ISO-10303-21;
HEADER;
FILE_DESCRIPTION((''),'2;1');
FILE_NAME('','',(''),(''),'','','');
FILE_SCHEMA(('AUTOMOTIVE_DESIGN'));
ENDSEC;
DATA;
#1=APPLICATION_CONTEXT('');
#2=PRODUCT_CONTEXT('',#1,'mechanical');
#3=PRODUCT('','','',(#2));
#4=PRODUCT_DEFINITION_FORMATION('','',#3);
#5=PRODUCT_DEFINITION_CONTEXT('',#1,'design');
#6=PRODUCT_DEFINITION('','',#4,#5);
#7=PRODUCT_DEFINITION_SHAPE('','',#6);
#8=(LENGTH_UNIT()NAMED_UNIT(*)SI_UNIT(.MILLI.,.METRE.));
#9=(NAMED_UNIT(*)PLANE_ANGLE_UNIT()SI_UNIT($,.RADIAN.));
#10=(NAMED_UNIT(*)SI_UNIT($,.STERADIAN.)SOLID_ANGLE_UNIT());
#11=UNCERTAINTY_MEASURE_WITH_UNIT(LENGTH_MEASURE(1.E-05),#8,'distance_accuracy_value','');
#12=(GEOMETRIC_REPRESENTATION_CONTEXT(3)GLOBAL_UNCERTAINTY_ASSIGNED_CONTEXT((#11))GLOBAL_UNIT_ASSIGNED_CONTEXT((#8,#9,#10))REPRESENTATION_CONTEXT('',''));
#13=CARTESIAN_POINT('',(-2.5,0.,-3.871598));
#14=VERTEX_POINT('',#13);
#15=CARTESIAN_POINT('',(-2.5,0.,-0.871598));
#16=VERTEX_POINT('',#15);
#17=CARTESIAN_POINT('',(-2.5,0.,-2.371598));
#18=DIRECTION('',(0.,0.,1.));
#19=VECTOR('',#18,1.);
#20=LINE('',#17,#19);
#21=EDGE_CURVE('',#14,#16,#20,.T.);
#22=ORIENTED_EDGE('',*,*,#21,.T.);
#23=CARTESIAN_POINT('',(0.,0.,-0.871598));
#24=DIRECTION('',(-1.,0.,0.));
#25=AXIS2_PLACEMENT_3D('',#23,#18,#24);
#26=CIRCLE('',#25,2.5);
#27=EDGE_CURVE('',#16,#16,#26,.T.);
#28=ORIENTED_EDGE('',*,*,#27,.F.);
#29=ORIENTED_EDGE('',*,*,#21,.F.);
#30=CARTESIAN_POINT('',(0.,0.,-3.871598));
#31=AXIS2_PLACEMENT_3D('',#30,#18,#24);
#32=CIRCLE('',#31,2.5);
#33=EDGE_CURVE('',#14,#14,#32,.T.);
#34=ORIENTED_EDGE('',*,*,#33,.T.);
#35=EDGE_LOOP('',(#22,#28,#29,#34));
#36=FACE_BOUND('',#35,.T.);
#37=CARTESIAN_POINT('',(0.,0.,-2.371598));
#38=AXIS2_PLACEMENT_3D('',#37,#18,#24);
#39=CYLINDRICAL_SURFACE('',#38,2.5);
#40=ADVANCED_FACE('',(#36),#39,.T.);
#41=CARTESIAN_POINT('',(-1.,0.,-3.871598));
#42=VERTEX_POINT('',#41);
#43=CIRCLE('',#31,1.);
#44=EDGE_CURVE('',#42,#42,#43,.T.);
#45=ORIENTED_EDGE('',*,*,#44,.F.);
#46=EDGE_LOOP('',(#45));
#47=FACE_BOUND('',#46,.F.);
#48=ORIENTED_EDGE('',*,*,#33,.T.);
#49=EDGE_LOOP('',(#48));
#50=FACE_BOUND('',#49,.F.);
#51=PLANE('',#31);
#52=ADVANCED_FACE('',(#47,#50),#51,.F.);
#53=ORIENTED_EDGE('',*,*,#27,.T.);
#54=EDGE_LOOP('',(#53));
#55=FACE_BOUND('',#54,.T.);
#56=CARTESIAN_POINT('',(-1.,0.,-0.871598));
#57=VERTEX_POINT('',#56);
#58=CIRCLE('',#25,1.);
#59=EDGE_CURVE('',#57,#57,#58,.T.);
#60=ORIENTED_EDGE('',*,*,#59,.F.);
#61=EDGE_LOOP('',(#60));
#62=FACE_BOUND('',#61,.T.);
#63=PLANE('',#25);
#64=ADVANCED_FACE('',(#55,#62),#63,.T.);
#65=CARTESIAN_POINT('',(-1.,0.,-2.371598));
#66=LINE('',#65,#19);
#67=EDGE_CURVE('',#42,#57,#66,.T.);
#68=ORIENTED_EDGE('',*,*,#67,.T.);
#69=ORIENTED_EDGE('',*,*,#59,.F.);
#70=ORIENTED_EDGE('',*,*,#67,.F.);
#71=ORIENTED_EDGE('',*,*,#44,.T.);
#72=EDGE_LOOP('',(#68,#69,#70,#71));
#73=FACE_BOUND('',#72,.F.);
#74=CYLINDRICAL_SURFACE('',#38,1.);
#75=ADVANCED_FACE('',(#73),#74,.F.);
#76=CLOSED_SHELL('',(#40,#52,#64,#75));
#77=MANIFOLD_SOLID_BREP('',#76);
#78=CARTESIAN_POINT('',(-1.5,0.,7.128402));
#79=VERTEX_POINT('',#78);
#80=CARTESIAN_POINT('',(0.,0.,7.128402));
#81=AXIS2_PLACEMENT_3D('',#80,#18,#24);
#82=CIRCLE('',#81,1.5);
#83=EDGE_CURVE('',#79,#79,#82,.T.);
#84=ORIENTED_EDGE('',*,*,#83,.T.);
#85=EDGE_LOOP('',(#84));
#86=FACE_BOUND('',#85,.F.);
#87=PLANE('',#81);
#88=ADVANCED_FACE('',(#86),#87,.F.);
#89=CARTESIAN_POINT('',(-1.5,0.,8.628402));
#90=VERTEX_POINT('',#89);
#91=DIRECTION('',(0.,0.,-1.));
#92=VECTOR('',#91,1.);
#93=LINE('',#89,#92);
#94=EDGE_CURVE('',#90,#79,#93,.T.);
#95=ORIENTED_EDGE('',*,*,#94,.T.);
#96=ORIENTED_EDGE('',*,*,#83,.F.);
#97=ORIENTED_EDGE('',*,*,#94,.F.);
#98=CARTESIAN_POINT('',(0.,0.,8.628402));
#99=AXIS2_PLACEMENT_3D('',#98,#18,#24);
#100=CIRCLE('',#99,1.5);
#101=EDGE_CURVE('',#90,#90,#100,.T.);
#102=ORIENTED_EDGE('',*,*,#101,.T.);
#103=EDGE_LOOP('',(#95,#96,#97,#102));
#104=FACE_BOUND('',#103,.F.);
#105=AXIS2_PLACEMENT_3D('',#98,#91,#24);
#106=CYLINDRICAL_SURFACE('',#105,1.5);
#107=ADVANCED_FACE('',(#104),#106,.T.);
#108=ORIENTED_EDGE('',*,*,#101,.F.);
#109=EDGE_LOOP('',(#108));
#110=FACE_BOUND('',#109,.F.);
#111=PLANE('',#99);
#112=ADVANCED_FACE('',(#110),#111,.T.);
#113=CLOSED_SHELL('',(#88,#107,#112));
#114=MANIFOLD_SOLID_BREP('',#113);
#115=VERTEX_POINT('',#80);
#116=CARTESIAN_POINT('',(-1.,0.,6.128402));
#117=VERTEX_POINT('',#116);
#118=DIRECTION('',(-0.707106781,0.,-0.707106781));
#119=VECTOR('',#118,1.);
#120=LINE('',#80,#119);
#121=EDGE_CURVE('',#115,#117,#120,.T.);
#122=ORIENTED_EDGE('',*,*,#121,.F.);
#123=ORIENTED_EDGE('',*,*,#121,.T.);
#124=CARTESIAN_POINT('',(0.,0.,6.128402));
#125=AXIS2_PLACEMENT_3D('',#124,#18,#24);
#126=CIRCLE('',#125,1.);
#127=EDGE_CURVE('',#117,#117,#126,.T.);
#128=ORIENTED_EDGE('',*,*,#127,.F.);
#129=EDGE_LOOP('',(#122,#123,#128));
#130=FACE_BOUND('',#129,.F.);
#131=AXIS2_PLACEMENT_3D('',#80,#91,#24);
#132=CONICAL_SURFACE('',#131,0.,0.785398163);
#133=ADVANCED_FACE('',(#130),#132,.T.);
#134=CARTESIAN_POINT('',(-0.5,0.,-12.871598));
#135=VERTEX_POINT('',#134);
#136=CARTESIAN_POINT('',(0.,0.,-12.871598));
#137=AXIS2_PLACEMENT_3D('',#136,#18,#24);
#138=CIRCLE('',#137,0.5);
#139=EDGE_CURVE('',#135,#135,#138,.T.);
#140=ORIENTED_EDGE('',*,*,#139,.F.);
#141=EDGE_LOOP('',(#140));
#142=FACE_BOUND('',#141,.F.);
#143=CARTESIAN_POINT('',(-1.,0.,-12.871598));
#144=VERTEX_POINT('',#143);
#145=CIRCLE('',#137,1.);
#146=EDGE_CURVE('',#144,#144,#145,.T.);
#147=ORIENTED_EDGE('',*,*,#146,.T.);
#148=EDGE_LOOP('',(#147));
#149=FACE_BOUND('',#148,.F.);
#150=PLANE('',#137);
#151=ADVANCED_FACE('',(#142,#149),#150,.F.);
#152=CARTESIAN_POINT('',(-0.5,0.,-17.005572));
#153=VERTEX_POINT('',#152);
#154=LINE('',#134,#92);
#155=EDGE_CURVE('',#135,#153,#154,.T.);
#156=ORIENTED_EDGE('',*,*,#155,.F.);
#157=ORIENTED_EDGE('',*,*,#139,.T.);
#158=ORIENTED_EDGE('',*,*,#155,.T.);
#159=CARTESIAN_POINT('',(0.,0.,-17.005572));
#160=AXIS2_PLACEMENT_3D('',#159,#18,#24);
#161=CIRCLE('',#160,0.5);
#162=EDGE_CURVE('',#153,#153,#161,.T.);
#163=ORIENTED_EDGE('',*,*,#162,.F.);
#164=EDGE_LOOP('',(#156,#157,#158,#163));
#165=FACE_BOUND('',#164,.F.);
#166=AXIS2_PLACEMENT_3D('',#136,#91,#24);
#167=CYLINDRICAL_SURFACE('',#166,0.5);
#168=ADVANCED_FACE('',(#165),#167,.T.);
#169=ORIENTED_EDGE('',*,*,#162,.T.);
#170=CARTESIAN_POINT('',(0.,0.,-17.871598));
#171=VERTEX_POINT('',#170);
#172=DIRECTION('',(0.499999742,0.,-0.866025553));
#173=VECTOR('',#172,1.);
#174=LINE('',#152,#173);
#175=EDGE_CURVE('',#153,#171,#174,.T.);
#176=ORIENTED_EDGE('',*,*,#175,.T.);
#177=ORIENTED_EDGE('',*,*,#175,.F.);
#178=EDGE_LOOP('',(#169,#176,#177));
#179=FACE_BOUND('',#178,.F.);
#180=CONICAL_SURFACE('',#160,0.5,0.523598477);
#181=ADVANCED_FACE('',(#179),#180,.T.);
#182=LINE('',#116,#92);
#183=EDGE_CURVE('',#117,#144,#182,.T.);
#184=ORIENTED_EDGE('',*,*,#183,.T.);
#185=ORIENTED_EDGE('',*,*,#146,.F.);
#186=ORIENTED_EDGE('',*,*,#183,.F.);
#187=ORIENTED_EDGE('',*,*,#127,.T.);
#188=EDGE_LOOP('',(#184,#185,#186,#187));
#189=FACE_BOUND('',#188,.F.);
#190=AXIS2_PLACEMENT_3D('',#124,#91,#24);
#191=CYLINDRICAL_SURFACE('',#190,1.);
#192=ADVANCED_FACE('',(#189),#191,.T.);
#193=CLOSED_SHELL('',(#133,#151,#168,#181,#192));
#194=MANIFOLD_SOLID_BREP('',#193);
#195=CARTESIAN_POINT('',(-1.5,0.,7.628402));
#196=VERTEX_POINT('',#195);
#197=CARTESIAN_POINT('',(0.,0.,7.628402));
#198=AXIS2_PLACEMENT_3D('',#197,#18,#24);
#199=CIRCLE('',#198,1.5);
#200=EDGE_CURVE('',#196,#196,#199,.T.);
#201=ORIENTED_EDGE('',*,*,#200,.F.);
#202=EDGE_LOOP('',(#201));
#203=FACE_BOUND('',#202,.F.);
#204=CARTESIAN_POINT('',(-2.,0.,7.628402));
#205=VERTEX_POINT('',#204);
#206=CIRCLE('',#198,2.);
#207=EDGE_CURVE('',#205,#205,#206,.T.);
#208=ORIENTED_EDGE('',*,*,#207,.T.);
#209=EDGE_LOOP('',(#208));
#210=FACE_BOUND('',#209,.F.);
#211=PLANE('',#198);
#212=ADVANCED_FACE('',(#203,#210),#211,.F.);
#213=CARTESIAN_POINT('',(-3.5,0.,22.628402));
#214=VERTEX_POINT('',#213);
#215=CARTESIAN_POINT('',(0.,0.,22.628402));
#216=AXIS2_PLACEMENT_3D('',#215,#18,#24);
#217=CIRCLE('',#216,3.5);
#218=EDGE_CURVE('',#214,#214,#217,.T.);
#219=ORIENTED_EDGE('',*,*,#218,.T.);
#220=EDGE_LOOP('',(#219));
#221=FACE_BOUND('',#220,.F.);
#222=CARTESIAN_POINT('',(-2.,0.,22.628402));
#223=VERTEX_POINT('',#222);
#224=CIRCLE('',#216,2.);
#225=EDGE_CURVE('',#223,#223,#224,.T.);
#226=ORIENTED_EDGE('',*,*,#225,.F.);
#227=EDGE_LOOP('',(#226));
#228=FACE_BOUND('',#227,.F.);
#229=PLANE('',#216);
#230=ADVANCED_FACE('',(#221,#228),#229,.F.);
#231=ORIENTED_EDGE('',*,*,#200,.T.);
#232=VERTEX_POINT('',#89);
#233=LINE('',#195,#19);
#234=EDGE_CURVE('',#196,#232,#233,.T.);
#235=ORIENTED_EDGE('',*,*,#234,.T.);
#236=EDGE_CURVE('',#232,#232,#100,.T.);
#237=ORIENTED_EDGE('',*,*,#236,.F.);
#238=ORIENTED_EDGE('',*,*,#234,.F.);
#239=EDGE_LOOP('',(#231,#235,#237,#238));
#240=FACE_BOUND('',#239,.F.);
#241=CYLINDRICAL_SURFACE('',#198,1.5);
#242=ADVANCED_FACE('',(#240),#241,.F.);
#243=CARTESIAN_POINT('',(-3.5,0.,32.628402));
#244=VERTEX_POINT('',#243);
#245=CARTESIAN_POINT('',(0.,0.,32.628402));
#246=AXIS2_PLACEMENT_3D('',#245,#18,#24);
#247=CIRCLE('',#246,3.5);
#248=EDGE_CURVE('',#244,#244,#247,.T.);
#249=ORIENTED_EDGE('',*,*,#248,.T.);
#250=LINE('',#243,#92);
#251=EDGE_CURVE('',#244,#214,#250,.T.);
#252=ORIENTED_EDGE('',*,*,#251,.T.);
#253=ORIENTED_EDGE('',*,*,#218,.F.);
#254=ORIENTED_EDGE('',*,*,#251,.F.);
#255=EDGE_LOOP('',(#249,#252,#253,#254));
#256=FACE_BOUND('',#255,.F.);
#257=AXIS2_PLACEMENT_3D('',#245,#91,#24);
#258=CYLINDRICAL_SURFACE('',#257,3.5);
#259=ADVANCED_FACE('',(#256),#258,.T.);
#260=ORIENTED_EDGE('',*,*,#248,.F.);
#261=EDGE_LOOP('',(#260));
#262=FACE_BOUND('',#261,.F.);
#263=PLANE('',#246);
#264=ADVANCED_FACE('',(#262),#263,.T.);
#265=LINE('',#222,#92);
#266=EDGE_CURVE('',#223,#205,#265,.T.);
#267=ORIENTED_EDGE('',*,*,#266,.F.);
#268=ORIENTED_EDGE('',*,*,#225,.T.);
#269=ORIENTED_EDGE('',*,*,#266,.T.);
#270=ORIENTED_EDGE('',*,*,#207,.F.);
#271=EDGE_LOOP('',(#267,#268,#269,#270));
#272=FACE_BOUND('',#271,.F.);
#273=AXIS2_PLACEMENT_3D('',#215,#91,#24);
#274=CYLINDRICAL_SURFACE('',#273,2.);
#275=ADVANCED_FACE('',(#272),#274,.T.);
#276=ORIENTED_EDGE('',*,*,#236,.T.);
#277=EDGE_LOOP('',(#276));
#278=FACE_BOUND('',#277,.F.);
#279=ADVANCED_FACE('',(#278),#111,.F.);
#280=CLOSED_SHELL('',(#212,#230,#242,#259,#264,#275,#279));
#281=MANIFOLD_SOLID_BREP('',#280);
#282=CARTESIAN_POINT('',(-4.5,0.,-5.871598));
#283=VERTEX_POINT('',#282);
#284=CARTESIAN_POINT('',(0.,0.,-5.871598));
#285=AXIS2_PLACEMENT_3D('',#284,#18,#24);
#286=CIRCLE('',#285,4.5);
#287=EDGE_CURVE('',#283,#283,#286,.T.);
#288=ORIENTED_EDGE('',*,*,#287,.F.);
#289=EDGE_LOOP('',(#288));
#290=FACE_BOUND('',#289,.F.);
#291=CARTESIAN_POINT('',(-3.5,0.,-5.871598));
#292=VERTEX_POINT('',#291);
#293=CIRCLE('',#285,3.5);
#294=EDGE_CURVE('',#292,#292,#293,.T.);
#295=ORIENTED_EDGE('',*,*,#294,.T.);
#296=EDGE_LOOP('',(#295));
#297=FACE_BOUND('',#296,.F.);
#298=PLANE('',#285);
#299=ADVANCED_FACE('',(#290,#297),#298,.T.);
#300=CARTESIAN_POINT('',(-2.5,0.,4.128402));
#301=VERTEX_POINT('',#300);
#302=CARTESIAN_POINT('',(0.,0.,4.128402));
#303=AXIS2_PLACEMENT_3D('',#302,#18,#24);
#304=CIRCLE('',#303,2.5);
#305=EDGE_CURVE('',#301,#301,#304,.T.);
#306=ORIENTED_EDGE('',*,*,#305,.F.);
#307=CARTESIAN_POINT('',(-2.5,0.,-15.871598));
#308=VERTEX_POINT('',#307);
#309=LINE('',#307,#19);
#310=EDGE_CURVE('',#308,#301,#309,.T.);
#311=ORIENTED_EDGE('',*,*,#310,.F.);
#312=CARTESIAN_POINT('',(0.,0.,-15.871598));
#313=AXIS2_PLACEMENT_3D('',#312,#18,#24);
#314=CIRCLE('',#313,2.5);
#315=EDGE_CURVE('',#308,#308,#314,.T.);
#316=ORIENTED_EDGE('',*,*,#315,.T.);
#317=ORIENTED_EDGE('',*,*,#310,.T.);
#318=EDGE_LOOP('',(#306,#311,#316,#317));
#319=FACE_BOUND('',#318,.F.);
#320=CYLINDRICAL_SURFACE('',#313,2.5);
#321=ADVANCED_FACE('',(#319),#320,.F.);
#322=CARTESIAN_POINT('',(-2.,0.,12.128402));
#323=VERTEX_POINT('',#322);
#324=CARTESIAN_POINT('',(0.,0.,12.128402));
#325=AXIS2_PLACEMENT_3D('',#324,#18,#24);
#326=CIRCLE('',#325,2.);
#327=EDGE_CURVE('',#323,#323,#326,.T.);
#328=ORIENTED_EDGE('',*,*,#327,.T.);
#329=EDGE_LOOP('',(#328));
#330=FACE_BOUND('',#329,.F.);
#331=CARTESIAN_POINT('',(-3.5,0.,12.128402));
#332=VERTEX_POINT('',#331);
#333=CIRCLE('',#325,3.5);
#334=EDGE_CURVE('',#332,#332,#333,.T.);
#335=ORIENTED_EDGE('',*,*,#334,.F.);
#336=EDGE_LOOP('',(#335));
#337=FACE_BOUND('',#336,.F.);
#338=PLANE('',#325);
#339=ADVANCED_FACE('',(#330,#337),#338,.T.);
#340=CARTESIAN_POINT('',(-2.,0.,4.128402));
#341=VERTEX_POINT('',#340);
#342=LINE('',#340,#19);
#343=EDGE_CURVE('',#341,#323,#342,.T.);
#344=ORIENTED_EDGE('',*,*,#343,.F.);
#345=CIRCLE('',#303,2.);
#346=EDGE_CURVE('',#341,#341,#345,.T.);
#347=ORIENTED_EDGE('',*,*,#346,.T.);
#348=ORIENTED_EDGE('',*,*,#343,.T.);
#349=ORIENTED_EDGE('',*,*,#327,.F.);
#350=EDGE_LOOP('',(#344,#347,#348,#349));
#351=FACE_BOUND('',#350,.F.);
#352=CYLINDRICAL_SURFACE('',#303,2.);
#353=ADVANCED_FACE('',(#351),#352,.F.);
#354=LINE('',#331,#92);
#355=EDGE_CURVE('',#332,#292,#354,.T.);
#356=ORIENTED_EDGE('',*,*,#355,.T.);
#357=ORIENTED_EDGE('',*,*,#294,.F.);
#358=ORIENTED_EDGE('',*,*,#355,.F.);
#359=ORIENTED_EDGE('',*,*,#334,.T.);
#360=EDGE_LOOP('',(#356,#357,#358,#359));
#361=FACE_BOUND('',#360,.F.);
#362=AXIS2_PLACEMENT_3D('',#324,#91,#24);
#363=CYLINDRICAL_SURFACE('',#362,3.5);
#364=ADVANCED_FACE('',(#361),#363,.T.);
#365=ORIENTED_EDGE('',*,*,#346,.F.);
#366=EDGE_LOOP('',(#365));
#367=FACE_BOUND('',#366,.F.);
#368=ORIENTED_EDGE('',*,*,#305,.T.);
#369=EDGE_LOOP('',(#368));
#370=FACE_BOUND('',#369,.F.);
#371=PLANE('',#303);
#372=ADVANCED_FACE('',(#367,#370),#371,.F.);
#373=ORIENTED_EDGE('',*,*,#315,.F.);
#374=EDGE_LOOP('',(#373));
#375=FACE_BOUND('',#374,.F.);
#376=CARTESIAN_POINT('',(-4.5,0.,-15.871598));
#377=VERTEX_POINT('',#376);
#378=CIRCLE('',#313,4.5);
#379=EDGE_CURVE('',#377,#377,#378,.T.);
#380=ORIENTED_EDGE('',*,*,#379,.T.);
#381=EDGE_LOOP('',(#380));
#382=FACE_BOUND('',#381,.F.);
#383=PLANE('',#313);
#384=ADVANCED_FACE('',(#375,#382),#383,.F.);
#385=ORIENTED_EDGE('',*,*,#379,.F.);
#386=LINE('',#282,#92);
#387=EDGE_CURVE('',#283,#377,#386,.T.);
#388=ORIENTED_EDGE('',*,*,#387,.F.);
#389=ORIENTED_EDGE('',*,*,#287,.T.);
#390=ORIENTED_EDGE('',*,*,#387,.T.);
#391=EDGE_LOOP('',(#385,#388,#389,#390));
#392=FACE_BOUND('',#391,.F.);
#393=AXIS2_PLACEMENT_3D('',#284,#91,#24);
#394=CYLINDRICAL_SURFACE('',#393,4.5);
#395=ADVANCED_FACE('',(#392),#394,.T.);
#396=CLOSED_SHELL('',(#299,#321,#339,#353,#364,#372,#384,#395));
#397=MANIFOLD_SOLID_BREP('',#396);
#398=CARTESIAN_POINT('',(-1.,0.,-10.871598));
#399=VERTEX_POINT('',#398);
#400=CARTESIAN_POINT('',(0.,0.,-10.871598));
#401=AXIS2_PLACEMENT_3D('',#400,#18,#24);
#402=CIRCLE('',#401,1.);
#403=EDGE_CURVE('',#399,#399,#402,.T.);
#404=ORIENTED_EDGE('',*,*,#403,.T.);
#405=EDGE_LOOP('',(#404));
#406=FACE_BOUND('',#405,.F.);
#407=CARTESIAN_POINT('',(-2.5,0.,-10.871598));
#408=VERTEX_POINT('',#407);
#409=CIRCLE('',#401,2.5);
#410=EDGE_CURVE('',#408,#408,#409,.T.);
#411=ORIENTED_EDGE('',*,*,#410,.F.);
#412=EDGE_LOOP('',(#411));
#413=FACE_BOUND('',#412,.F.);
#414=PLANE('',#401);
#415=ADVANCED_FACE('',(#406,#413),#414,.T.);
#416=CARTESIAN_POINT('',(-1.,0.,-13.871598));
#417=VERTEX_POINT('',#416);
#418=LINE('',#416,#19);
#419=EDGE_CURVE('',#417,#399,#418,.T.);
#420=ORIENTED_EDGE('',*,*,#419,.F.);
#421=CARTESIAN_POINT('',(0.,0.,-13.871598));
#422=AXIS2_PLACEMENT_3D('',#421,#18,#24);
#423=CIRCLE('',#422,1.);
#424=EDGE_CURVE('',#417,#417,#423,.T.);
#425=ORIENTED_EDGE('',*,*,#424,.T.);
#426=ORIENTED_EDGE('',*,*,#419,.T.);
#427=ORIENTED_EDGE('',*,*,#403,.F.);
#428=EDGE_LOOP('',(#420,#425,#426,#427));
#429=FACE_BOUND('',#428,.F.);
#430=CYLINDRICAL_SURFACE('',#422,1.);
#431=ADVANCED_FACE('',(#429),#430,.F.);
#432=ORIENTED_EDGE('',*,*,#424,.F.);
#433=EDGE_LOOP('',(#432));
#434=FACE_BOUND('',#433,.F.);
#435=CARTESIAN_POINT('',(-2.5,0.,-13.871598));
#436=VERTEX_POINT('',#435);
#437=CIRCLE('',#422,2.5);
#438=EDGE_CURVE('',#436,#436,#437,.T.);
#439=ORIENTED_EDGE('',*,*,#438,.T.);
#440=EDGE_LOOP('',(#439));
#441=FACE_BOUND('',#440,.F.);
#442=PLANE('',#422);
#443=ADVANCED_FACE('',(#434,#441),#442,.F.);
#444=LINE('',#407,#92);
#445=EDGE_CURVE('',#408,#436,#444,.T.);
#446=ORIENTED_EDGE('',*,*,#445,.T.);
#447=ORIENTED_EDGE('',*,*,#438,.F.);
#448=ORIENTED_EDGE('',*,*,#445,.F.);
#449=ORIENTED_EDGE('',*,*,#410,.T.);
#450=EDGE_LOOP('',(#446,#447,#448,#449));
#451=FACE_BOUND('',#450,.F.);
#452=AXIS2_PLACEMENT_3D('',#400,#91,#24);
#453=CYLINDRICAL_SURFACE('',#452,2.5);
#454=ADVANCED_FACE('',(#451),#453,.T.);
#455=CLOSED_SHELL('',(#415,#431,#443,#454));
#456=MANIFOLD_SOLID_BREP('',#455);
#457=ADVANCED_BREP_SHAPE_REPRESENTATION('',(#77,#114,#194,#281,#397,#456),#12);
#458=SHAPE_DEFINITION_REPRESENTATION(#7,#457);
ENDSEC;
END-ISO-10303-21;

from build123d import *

# Parameters (mm, degrees)
F0_W = 1.5
F0_H = 3


with BuildPart() as f1:
    # F0 (on Front) → F1 (revolve)
    with BuildSketch(Plane.XZ):
        Polygon((0, -17.871598), (0, 7.128402), (-1, 6.128402), (-1, -0.871598), (-1, -3.871598), (-1, -10.871598), (-1, -12.871598), (-0.5, -12.871598), (-0.5, -17.005572), align=None)
    revolve(axis=Axis((0, 0, 8.628402), (0, 0, 1)))


with BuildPart() as f2:
    # F0 (on Front) → F2 (revolve)
    with BuildSketch(Plane.XZ):
        with Locations((-1.75, -2.371598)):
            Rectangle(F0_W, F0_H)
        Polygon((-1, -12.871598), (-1, -10.871598), (-2.5, -10.871598), (-2.5, -13.871598), (-1, -13.871598), align=None)
    revolve(axis=Axis((0, 0, -5.371598), (0, 0, 1)))


with BuildPart() as f3:
    # F0 (on Front) → F3 (revolve)
    with BuildSketch(Plane.XZ):
        Polygon((-1.5, 7.128402), (0, 7.128402), (0, 8.628402), (-1.5, 8.628402), (-1.5, 7.628402), align=None)
    revolve(axis=Axis((0, 0, -5.371598), (0, 0, 1)))


with BuildPart() as f4:
    # F0 (on Front) → F4 (revolve)
    with BuildSketch(Plane.XZ):
        Polygon((-1.5, 8.628402), (0, 8.628402), (0, 32.628402), (-3.5, 32.628402), (-3.5, 22.628402), (-2, 22.628402), (-2, 12.128402), (-2, 7.628402), (-1.5, 7.628402), align=None)
    revolve(axis=Axis((0, 0, 8.628402), (0, 0, 1)))


with BuildPart() as f5:
    # F0 (on Front) → F5 (revolve)
    with BuildSketch(Plane.XZ):
        Polygon((-2.5, -3.871598), (-2.5, -0.871598), (-2.5, 4.128402), (-2, 4.128402), (-2, 7.628402), (-2, 12.128402), (-3.5, 12.128402), (-3.5, -5.871598), (-4.5, -5.871598), (-4.5, -15.871598), (-2.5, -15.871598), (-2.5, -13.871598), (-2.5, -10.871598), align=None)
    revolve(axis=Axis((0, 0, -5.371598), (0, 0, 1)))


solid = Compound([f1.part, f2.part, f3.part, f4.part, f5.part])
